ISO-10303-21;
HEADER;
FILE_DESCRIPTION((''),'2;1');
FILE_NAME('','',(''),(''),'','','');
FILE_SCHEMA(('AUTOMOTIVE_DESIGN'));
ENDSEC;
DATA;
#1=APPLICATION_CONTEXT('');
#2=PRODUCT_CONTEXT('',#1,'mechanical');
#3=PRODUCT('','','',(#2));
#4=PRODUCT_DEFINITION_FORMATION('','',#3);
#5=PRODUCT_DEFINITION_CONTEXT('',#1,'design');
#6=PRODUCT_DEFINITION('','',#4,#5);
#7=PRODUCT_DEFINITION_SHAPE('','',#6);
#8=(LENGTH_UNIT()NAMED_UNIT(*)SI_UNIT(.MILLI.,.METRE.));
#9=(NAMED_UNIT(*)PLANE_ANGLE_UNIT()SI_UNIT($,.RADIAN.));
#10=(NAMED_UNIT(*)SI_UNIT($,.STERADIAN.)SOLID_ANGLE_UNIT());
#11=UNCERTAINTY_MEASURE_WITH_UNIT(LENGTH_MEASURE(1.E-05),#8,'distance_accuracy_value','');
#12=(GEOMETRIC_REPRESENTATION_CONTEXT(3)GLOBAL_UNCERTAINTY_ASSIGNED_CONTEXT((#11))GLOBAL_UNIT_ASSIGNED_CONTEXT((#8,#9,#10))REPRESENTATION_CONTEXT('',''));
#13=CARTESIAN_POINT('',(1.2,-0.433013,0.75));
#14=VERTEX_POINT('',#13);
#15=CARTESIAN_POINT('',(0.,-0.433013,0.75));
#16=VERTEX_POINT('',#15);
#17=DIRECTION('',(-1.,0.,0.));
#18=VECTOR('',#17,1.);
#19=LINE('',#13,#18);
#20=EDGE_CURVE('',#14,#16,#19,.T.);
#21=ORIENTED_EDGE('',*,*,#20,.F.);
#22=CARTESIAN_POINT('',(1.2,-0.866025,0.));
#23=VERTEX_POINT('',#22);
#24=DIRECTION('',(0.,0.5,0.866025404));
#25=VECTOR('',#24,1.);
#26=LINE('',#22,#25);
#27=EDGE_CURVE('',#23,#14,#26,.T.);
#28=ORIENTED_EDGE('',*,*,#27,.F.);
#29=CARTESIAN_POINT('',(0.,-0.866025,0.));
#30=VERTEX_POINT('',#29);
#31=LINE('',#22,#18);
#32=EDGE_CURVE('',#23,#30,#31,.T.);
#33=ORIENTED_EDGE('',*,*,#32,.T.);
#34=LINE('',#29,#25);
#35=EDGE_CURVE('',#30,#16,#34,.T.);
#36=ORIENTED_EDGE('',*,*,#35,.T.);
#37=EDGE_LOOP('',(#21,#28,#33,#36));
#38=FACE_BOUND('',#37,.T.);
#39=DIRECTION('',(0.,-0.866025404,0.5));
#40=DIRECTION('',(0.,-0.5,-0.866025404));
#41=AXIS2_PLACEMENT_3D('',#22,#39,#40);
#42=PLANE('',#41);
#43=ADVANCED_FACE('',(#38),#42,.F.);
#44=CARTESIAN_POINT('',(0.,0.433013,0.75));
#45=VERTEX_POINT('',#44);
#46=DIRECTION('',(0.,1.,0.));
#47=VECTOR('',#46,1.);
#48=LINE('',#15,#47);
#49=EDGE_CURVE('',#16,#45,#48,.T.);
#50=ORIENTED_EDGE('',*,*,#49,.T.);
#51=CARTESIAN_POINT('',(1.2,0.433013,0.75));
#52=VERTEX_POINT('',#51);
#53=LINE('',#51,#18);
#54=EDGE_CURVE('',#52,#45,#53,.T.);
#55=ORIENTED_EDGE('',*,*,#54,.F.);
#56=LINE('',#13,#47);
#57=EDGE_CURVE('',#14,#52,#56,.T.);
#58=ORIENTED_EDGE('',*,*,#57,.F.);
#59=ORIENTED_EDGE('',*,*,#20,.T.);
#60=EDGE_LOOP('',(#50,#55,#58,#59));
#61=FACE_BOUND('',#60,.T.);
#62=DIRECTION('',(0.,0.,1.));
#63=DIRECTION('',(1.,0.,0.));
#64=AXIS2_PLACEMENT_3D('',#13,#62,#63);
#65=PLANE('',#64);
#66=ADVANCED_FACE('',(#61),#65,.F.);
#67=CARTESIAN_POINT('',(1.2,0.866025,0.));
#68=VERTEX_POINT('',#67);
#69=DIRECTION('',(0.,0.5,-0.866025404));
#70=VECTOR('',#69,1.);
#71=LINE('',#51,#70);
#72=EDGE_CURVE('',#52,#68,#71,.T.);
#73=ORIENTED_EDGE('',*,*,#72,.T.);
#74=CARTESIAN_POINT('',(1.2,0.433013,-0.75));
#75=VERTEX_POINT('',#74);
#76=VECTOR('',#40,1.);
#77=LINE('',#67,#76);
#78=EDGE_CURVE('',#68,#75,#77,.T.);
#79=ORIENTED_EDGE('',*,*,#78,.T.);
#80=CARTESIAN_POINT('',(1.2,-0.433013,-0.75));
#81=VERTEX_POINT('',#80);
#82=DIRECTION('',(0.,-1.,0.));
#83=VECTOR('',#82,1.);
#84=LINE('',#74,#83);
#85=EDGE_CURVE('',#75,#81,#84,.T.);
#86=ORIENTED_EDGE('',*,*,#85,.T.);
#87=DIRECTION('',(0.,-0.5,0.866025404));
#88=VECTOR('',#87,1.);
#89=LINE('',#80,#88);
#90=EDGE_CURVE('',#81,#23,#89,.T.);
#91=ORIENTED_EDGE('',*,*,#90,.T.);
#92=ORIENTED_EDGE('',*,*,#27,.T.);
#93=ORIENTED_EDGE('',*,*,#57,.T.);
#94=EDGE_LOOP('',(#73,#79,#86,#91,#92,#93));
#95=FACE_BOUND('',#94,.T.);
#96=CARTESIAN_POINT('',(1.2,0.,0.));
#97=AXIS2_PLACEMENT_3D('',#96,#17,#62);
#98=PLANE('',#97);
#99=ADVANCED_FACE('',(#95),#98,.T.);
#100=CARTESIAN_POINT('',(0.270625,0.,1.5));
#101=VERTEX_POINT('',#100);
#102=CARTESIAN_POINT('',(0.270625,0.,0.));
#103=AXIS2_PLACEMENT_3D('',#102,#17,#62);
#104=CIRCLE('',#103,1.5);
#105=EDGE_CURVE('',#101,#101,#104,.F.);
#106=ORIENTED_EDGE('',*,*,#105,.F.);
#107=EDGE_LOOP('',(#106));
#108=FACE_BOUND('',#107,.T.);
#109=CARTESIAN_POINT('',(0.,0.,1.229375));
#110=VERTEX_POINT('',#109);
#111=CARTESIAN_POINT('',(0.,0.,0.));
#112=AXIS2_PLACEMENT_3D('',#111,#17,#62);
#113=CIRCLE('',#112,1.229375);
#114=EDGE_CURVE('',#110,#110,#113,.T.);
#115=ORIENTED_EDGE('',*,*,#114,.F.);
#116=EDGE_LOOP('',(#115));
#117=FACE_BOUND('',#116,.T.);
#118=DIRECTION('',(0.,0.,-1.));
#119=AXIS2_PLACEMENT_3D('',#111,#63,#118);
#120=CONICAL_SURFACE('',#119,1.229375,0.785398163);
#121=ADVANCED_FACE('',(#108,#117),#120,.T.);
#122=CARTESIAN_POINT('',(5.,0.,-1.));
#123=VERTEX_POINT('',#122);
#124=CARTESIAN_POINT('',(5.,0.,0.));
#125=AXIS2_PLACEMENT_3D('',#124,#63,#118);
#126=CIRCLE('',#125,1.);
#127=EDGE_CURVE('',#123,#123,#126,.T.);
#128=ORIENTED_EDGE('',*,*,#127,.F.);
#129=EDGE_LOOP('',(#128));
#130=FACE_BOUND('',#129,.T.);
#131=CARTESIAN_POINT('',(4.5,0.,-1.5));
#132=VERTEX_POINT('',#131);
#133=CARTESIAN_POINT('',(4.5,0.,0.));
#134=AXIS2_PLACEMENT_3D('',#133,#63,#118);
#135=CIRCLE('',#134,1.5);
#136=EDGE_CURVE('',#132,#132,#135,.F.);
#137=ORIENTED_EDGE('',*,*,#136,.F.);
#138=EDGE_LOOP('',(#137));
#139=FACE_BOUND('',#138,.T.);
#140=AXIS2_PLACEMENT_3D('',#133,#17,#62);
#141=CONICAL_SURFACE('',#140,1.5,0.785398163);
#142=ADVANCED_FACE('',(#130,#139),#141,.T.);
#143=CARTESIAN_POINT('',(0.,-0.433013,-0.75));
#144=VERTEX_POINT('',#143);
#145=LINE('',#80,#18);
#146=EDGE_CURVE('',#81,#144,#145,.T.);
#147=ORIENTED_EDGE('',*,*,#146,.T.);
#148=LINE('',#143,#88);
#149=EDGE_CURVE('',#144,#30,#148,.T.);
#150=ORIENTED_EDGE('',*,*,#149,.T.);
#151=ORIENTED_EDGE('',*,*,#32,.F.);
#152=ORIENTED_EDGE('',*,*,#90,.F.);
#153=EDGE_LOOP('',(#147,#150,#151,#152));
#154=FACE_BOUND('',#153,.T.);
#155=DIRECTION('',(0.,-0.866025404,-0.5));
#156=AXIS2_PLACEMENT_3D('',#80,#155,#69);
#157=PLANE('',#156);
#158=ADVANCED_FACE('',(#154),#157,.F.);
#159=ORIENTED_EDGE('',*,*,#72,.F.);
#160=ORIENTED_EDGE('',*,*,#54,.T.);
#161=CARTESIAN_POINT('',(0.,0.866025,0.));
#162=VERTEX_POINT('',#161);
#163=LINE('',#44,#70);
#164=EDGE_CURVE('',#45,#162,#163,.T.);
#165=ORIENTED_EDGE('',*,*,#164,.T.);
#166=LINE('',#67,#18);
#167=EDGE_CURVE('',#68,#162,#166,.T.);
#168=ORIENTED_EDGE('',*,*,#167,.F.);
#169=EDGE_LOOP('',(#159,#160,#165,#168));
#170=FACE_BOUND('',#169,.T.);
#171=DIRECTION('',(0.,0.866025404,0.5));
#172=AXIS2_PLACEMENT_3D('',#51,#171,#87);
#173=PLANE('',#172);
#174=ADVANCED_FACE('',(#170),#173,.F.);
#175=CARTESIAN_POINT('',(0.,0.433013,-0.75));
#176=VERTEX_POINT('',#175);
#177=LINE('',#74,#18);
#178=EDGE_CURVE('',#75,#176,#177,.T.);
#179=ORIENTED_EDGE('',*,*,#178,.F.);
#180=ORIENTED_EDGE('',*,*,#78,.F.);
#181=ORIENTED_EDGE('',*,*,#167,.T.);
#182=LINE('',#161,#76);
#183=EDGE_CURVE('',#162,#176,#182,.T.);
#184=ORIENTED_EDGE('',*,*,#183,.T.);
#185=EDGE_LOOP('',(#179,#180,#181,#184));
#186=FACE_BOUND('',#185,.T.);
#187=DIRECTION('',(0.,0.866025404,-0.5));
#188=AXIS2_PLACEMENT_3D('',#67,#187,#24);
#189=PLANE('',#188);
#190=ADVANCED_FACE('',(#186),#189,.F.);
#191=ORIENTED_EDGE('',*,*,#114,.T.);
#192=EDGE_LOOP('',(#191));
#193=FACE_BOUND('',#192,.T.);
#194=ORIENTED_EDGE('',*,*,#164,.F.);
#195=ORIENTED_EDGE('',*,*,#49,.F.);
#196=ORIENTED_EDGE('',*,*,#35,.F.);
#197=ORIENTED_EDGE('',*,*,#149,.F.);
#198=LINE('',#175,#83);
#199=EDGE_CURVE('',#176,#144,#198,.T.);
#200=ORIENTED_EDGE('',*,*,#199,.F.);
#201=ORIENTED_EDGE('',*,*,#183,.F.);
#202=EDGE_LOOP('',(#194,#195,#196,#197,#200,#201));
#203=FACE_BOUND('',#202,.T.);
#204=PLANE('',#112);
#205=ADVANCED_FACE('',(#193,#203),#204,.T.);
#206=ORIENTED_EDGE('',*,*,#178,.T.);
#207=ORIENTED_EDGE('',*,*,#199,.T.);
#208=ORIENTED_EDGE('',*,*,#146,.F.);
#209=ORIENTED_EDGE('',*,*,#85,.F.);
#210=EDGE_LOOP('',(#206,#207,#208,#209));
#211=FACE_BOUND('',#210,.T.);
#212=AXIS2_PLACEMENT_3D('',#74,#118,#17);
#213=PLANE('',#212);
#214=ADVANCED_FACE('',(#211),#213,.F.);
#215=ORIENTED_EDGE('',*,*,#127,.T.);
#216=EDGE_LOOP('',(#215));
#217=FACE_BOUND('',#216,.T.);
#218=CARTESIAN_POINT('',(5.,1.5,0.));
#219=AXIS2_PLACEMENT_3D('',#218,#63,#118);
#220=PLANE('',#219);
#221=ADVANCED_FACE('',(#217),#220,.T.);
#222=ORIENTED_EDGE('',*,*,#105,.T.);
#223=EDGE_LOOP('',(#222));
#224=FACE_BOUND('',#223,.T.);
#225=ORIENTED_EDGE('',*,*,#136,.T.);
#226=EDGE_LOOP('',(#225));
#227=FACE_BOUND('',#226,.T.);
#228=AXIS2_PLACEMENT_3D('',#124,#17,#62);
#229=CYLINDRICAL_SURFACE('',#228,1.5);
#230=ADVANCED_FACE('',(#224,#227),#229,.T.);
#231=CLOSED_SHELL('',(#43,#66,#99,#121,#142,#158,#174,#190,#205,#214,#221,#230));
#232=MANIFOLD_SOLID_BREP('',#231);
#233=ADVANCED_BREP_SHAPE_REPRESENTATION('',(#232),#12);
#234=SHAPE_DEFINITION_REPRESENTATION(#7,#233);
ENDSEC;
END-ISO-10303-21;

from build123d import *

# Parameters (mm, degrees)
SKETCH1_W          = 5
SKETCH1_H          = 1.5
CUT_EXTRUDE1_DEPTH = 1.2
CHAMFER1_SIZE      = 0.270625
CHAMFER2_SIZE      = 0.5


with BuildPart() as part:
    # Sketch1 → Revolve1 (revolve)
    with BuildSketch(Plane(origin=(0, 0, 0), x_dir=(-1, 0, 0), z_dir=(0, 0, -1)), mode=Mode.PRIVATE) as revolve1_sk:
        with Locations((-2.5, 0.75)):
            Rectangle(SKETCH1_W, SKETCH1_H)
    revolve(revolve1_sk.sketch.rotate(Axis((5, 0, 0), (-1, 0, 0)), 270), axis=Axis((5, 0, 0), (-1, 0, 0)))

    # Sketch2 → Cut-Extrude1 (cut)
    with BuildSketch(Plane.ZY):
        Polygon((-0.75, -0.433012702), (0, -0.866025404), (0.75, -0.433012702), (0.75, 0.433012702), (0, 0.866025404), (-0.75, 0.433012702), align=None)
    extrude(amount=-CUT_EXTRUDE1_DEPTH, mode=Mode.SUBTRACT)

    # Chamfer1
    chamfer1_edges = [part.edges().sort_by_distance(p)[0] for p in [
        (0, 0, -1.5),
    ]]
    chamfer(chamfer1_edges, length=CHAMFER1_SIZE)

    # Chamfer2
    chamfer2_edges = [part.edges().sort_by_distance(p)[0] for p in [
        (5, 0, -1.5),
    ]]
    chamfer(chamfer2_edges, length=CHAMFER2_SIZE)


solid = part.part
